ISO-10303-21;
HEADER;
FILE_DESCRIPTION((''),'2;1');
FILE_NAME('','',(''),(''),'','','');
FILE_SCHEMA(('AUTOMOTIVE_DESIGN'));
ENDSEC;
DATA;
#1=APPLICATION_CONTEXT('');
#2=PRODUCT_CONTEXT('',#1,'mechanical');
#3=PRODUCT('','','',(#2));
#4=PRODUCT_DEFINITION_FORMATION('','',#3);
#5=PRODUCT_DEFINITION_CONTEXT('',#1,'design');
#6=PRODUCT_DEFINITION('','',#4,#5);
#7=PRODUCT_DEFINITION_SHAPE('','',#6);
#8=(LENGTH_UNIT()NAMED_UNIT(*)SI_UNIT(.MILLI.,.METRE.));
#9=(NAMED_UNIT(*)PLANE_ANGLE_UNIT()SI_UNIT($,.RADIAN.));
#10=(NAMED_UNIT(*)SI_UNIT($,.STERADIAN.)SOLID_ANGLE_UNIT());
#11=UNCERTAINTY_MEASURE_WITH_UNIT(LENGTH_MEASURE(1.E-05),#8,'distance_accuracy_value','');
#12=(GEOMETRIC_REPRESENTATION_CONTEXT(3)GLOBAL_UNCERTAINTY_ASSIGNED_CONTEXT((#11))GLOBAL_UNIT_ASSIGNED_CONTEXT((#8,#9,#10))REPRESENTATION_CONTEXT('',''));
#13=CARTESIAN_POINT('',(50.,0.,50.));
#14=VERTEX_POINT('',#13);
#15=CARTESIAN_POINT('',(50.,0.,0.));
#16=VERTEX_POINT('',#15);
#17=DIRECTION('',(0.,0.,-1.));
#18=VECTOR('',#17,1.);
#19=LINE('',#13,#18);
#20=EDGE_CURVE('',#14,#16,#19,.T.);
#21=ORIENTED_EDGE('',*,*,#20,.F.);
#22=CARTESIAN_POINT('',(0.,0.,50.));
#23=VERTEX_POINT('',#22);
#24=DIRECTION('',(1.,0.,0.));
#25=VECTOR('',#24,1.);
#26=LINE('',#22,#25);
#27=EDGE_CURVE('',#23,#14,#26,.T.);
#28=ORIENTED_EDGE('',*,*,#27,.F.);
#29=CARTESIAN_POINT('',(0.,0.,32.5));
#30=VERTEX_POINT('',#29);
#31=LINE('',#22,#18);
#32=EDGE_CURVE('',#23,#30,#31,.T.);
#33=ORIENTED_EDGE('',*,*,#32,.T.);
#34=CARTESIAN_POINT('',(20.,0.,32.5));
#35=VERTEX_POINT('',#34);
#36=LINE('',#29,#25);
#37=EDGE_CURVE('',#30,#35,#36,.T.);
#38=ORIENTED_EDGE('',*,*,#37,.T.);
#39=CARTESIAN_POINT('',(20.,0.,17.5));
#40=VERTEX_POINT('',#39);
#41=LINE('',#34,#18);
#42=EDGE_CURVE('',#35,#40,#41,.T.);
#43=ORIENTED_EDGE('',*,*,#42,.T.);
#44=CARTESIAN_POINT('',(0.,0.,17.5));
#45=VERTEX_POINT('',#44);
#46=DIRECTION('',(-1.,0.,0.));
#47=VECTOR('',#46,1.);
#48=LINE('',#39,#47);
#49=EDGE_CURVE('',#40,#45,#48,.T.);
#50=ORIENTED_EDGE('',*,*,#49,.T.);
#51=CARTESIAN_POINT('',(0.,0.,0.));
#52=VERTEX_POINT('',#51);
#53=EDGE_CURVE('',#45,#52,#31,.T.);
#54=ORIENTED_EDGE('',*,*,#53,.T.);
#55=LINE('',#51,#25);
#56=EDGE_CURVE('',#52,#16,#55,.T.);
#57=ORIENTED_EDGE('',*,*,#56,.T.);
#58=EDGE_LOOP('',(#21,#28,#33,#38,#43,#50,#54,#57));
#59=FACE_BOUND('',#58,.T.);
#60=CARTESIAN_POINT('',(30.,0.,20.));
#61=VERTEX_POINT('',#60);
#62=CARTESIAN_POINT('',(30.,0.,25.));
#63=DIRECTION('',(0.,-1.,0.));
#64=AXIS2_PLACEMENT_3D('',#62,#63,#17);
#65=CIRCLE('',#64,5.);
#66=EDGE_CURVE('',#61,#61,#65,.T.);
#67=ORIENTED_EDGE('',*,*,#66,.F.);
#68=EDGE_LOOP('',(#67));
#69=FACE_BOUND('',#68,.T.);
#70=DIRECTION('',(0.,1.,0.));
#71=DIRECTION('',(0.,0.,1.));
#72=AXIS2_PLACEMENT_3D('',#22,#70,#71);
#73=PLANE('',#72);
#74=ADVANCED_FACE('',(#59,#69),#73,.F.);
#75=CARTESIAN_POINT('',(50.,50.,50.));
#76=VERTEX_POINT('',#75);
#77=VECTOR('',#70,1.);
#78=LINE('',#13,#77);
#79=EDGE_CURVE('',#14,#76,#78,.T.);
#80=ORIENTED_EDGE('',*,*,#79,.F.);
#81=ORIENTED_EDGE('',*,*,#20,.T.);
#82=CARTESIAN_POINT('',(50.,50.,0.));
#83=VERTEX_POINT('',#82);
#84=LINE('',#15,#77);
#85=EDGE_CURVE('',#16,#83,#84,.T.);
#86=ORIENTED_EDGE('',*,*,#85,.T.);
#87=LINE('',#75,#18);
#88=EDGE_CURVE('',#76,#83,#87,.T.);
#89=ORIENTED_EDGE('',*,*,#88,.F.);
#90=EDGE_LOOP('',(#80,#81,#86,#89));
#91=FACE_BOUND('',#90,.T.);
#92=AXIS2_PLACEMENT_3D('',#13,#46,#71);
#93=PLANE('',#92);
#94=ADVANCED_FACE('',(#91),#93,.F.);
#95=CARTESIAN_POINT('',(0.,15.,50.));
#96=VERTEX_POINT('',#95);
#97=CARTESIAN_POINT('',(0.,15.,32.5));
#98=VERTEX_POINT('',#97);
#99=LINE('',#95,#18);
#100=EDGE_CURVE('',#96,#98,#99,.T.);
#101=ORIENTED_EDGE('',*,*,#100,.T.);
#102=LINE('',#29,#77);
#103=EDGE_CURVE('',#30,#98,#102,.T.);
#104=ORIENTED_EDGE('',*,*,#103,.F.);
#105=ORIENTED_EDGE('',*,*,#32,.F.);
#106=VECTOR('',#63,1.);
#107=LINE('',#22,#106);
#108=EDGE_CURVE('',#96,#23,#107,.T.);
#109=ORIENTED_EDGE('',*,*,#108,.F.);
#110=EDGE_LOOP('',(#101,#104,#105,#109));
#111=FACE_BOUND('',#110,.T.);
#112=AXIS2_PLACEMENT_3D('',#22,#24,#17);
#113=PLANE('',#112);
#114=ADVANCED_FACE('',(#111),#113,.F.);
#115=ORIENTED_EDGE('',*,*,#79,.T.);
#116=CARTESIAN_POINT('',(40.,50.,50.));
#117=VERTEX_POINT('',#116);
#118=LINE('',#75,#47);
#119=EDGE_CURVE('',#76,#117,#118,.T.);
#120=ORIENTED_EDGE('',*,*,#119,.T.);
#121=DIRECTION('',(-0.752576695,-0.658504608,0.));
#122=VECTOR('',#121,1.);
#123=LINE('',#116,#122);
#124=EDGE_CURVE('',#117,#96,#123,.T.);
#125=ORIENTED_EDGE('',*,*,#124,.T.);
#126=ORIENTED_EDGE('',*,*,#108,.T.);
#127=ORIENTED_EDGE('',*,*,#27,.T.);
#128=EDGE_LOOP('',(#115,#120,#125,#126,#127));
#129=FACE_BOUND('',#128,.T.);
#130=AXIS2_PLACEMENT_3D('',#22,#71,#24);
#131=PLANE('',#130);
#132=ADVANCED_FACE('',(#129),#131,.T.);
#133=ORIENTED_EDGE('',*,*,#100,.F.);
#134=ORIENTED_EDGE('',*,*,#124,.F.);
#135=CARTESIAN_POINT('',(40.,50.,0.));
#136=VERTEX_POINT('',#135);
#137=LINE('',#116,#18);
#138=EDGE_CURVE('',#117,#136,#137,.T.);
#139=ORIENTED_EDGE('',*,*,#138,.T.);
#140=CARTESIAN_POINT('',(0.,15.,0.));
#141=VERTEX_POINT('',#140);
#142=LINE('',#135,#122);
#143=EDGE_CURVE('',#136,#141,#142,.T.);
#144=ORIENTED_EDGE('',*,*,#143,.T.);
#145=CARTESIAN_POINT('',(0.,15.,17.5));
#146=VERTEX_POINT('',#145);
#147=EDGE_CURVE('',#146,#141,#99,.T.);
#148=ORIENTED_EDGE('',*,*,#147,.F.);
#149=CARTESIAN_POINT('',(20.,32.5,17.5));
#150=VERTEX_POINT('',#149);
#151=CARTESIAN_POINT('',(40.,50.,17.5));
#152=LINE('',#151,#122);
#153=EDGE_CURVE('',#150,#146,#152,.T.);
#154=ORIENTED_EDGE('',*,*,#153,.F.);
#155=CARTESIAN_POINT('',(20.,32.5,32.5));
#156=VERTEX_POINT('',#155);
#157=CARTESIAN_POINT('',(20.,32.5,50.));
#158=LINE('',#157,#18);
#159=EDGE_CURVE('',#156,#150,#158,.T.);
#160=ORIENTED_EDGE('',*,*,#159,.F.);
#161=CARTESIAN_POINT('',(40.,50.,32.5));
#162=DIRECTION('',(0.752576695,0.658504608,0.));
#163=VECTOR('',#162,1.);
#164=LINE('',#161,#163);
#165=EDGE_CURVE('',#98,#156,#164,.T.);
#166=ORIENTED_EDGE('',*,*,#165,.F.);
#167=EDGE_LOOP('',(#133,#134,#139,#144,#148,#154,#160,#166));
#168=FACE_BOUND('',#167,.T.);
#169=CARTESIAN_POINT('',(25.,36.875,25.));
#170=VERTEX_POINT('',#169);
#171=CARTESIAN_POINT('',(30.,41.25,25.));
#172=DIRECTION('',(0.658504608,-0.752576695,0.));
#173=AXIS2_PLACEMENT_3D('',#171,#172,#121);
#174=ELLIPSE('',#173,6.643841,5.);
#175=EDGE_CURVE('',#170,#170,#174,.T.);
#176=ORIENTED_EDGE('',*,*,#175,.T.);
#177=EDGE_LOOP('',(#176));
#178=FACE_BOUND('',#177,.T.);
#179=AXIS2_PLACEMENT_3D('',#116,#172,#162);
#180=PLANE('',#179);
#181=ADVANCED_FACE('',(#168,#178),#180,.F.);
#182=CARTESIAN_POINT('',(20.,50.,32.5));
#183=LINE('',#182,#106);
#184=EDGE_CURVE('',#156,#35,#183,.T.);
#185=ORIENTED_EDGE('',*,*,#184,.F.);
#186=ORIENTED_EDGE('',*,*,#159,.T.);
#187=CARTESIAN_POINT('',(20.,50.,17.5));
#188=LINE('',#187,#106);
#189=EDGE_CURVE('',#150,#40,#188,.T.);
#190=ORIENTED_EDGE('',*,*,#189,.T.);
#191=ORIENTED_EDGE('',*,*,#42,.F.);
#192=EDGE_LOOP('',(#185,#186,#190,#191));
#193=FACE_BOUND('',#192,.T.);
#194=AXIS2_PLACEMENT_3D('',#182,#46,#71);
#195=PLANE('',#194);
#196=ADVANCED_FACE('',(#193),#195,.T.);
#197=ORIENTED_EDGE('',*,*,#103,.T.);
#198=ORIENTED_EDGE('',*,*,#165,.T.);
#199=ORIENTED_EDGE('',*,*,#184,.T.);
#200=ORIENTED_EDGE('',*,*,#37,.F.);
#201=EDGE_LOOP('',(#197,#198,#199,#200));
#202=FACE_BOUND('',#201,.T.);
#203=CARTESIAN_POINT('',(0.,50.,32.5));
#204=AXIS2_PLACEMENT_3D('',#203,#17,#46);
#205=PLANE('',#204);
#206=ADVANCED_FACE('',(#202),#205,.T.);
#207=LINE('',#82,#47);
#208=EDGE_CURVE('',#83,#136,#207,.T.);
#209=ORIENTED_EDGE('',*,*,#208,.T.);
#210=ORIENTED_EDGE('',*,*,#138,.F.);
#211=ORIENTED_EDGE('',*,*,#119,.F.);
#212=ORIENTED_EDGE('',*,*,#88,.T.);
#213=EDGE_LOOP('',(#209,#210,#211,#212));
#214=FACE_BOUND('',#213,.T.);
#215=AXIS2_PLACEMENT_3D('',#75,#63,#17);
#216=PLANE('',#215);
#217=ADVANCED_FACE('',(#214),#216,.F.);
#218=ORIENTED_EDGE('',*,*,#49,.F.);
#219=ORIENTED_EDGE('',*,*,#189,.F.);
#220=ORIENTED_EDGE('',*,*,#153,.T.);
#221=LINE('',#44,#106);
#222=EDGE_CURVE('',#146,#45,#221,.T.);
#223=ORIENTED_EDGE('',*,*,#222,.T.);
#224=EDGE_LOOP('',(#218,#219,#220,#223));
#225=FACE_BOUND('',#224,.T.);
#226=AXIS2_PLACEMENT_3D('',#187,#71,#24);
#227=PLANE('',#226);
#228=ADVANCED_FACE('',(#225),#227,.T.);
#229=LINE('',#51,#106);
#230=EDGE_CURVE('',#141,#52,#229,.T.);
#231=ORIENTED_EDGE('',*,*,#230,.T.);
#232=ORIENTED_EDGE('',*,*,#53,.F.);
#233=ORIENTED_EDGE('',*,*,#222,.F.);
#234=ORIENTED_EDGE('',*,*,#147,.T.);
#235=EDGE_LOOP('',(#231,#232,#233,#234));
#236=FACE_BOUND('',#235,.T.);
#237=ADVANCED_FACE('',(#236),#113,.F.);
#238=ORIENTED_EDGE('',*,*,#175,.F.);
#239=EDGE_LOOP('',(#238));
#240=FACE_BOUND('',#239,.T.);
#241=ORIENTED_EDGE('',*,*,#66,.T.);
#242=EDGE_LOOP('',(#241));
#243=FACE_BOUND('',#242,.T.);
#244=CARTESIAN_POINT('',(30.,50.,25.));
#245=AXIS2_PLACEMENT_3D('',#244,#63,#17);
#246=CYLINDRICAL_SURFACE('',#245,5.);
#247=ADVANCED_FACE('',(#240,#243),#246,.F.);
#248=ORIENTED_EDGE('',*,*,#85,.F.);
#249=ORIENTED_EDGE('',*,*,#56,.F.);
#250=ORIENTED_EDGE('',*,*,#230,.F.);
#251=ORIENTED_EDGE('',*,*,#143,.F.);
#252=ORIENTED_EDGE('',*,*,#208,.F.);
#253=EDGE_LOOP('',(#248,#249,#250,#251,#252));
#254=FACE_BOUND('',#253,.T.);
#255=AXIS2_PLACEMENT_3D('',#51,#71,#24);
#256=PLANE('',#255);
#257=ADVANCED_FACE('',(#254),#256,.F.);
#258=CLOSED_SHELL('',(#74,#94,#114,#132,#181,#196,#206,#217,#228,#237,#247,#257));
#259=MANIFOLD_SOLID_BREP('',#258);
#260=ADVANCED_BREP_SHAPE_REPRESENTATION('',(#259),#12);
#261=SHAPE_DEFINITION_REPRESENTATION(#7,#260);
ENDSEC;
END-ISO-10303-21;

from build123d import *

# Parameters (mm, degrees)
BOSS_EXTRUDE1_DEPTH = 50
SKETCH9_R           = 5
CUT_EXTRUDE1_DEPTH  = 87.602540378
SKETCH12_W          = 20
SKETCH12_H          = 15
CUT_EXTRUDE3_DEPTH  = 87.602540378


with BuildPart() as part:
    # Sketch1 → Boss-Extrude1 (new body)
    with BuildSketch(Plane.XY):
        Polygon((0, 0), (0, 15), (40, 50), (50, 50), (50, 0), align=None)
    extrude(amount=BOSS_EXTRUDE1_DEPTH)

    # Sketch9 → Cut-Extrude1 (cut, through all)
    with BuildSketch(Plane(origin=(0, 0, 0), x_dir=(-1, 0, 0), z_dir=(0, -1, 0))):
        with Locations(Location((-30, -25, 0), (0, 0, 90))):
            Circle(SKETCH9_R)
    extrude(amount=-CUT_EXTRUDE1_DEPTH, mode=Mode.SUBTRACT)

    # Sketch12 → Cut-Extrude3 (cut, through all)
    with BuildSketch(Plane(origin=(0, 0, 0), x_dir=(-1, 0, 0), z_dir=(0, -1, 0))):
        with Locations((-10, -25)):
            Rectangle(SKETCH12_W, SKETCH12_H)
    extrude(amount=-CUT_EXTRUDE3_DEPTH, mode=Mode.SUBTRACT)


solid = part.part
